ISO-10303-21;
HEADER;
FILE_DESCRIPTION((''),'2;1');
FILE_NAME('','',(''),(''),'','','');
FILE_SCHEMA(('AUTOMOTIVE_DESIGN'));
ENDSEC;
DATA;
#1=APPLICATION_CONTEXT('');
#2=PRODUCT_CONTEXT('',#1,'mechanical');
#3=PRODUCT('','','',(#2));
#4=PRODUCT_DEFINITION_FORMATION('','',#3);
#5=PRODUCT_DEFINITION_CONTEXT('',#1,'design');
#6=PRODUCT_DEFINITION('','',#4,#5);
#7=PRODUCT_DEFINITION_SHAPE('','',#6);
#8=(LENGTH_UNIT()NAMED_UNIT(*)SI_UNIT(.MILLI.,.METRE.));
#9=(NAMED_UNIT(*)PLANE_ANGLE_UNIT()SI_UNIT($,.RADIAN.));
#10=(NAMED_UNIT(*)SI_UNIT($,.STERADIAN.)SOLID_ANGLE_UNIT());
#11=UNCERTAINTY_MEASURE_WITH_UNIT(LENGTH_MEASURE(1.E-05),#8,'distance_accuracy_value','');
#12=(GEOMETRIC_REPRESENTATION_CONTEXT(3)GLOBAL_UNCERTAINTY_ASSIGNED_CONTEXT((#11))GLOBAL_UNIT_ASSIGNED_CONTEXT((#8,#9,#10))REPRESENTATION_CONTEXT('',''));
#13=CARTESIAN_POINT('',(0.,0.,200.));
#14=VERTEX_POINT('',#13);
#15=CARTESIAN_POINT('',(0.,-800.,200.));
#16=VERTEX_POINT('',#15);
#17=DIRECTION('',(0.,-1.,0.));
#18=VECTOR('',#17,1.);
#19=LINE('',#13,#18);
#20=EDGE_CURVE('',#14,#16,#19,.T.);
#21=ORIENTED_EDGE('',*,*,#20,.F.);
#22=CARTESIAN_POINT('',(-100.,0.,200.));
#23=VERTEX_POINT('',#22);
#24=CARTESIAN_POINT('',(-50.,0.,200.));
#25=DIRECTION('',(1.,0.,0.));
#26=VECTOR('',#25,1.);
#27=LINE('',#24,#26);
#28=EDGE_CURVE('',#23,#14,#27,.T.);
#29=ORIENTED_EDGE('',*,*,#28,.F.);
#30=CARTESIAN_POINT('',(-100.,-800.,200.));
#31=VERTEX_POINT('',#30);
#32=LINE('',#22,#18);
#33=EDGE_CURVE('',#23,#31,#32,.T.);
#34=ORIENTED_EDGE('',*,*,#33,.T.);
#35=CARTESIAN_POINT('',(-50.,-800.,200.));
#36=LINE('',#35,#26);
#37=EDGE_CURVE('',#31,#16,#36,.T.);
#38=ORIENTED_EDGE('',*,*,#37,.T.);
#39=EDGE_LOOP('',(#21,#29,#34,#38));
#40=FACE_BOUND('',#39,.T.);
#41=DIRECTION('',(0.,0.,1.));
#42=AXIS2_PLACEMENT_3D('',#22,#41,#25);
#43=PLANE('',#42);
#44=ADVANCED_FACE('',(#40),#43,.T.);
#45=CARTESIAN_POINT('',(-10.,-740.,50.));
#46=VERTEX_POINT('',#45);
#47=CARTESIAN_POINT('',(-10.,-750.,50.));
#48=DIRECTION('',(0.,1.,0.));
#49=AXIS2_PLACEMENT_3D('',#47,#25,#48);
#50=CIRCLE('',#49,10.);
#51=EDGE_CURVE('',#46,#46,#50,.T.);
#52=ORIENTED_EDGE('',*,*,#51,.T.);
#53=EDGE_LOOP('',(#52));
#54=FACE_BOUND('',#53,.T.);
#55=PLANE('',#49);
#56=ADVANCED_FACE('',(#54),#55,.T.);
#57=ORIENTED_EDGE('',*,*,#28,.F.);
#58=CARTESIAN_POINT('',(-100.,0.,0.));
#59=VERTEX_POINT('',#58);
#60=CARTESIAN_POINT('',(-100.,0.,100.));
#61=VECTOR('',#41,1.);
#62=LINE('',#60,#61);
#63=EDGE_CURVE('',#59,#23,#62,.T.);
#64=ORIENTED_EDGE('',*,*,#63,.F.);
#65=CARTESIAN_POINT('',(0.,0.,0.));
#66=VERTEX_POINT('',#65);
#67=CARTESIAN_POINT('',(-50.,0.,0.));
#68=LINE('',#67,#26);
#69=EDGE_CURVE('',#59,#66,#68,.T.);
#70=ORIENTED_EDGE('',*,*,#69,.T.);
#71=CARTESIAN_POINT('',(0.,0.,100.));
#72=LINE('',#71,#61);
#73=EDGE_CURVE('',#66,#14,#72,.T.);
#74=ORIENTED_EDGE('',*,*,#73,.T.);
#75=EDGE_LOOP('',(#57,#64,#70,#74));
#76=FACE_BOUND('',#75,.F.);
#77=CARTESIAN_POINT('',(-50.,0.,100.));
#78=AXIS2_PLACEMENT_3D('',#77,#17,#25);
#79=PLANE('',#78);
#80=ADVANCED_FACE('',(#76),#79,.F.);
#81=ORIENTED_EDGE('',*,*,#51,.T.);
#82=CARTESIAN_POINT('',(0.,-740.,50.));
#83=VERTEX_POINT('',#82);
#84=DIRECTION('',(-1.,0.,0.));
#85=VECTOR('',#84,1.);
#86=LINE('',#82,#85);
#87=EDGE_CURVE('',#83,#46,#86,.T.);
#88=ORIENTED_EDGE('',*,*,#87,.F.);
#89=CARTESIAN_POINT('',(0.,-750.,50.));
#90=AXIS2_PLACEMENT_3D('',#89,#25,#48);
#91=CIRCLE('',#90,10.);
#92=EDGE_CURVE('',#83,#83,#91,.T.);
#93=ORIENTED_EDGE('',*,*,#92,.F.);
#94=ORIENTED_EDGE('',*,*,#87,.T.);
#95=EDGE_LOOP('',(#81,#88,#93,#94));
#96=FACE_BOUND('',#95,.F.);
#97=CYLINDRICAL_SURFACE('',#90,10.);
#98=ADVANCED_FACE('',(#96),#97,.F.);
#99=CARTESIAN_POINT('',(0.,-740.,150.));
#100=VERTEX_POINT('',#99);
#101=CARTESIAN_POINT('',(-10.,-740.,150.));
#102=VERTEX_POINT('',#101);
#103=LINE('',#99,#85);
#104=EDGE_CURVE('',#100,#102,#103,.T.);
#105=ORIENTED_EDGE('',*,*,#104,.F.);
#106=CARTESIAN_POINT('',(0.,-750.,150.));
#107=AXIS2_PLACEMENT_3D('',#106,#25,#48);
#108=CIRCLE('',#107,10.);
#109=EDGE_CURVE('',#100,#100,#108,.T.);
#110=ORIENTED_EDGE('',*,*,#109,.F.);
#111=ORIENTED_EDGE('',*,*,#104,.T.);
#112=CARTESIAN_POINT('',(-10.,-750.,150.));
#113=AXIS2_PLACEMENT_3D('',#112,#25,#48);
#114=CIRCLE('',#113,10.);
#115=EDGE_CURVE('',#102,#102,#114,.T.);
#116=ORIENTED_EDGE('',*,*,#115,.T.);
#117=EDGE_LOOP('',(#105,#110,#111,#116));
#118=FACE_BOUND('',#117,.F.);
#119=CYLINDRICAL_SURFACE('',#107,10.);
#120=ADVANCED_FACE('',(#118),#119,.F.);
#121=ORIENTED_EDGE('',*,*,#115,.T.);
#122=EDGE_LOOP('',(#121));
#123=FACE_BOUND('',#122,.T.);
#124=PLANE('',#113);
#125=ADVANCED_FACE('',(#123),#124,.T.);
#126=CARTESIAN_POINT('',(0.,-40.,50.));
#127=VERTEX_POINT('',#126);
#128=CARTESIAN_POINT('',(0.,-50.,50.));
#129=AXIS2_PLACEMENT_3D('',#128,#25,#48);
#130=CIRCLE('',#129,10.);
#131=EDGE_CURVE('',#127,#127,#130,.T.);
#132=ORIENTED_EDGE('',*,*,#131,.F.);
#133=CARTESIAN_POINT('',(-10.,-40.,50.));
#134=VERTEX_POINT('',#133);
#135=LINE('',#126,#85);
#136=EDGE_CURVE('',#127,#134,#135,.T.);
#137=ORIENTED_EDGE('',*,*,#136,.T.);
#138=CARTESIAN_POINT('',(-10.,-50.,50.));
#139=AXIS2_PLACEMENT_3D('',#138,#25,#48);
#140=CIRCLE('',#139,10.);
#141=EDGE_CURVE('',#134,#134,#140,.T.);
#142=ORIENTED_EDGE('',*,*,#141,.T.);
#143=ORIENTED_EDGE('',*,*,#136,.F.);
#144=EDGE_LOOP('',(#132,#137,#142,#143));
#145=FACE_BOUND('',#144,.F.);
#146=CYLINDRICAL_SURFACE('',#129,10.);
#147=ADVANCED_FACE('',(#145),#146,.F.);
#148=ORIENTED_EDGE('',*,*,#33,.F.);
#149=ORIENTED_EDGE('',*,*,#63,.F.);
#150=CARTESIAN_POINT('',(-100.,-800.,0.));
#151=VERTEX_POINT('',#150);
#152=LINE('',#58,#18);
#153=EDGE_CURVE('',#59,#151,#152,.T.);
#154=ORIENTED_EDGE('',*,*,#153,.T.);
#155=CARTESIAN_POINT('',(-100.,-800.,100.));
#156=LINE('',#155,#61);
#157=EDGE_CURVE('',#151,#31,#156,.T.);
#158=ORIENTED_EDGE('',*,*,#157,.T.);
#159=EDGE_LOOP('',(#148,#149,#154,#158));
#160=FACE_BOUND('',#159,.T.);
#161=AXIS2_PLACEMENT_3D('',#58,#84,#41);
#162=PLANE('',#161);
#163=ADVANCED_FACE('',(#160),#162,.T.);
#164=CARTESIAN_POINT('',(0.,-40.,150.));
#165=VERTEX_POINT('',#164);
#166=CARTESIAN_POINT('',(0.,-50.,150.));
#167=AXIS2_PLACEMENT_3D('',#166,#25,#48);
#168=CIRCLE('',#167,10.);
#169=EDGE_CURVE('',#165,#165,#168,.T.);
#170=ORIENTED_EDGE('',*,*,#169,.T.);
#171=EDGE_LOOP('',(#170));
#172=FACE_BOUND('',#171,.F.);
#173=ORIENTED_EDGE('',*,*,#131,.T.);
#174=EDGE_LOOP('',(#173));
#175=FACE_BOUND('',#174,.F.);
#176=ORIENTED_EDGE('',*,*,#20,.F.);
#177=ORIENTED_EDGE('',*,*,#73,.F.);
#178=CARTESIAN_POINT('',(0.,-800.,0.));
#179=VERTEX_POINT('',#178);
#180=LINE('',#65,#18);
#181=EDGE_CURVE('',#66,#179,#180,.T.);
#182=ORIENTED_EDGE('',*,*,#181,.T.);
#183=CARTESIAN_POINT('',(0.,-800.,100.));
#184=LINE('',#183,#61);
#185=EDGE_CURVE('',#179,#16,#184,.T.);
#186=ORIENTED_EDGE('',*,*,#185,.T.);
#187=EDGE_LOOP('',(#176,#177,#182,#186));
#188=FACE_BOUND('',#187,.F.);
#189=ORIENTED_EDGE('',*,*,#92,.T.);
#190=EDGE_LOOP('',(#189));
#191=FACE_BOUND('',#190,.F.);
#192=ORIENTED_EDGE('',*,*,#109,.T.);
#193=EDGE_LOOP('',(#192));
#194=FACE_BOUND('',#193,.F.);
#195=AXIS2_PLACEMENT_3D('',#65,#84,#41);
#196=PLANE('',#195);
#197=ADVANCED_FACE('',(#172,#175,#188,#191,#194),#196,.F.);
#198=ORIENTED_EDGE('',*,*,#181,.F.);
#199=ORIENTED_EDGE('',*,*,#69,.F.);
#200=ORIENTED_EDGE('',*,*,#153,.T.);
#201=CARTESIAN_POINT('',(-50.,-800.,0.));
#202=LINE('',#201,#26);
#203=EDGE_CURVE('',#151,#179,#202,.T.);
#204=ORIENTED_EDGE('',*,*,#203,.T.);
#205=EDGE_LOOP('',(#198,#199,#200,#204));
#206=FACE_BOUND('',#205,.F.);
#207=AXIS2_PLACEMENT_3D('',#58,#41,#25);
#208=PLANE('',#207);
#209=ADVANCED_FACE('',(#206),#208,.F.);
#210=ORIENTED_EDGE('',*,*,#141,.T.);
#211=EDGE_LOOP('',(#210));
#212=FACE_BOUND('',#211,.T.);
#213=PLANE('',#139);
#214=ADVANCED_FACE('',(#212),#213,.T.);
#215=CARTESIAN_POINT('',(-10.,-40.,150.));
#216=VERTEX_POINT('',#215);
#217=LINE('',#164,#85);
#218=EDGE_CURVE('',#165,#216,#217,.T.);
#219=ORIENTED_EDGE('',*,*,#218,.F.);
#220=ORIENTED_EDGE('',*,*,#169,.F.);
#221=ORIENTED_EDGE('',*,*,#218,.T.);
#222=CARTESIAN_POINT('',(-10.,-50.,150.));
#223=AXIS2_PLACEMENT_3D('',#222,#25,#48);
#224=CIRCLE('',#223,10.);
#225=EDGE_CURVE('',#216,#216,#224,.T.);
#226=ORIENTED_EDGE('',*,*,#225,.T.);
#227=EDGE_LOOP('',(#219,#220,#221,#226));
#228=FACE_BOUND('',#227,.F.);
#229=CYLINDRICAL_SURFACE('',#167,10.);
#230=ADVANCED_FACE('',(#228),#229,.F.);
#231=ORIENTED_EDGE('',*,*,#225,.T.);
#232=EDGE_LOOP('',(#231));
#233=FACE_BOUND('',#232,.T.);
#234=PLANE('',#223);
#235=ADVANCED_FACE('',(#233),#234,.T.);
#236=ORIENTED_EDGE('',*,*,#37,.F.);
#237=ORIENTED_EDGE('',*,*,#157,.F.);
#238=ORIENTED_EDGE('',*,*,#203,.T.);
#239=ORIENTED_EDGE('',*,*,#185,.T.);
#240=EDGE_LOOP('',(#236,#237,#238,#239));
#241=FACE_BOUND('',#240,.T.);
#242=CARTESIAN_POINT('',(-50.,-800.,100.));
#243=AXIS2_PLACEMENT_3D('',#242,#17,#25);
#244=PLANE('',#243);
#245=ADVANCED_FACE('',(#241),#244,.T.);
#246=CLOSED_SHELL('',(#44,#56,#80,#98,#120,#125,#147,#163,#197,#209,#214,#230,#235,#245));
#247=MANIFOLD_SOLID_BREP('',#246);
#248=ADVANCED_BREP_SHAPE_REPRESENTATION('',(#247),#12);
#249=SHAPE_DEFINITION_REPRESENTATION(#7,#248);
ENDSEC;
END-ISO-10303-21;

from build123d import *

# Parameters (mm, degrees)
F0_W     = 100
F0_H     = 200
F1_DEPTH = 800
F2_R     = 10
F3_DEPTH = 10


with BuildPart() as f1:
    # F0 (on Front) → F1 (new body)
    with BuildSketch(Plane.XZ):
        with Locations((-50, 100)):
            Rectangle(F0_W, F0_H)
    extrude(amount=F1_DEPTH)

    # F2 (on face) → F3 (cut)
    with BuildSketch(Plane.YZ):
        with Locations((-750, 150)):
            Circle(F2_R)
        with Locations((-750, 50)):
            Circle(F2_R)
        with Locations((-50, 150)):
            Circle(F2_R)
        with Locations((-50, 50)):
            Circle(F2_R)
    extrude(amount=-F3_DEPTH, mode=Mode.SUBTRACT)


solid = f1.part
